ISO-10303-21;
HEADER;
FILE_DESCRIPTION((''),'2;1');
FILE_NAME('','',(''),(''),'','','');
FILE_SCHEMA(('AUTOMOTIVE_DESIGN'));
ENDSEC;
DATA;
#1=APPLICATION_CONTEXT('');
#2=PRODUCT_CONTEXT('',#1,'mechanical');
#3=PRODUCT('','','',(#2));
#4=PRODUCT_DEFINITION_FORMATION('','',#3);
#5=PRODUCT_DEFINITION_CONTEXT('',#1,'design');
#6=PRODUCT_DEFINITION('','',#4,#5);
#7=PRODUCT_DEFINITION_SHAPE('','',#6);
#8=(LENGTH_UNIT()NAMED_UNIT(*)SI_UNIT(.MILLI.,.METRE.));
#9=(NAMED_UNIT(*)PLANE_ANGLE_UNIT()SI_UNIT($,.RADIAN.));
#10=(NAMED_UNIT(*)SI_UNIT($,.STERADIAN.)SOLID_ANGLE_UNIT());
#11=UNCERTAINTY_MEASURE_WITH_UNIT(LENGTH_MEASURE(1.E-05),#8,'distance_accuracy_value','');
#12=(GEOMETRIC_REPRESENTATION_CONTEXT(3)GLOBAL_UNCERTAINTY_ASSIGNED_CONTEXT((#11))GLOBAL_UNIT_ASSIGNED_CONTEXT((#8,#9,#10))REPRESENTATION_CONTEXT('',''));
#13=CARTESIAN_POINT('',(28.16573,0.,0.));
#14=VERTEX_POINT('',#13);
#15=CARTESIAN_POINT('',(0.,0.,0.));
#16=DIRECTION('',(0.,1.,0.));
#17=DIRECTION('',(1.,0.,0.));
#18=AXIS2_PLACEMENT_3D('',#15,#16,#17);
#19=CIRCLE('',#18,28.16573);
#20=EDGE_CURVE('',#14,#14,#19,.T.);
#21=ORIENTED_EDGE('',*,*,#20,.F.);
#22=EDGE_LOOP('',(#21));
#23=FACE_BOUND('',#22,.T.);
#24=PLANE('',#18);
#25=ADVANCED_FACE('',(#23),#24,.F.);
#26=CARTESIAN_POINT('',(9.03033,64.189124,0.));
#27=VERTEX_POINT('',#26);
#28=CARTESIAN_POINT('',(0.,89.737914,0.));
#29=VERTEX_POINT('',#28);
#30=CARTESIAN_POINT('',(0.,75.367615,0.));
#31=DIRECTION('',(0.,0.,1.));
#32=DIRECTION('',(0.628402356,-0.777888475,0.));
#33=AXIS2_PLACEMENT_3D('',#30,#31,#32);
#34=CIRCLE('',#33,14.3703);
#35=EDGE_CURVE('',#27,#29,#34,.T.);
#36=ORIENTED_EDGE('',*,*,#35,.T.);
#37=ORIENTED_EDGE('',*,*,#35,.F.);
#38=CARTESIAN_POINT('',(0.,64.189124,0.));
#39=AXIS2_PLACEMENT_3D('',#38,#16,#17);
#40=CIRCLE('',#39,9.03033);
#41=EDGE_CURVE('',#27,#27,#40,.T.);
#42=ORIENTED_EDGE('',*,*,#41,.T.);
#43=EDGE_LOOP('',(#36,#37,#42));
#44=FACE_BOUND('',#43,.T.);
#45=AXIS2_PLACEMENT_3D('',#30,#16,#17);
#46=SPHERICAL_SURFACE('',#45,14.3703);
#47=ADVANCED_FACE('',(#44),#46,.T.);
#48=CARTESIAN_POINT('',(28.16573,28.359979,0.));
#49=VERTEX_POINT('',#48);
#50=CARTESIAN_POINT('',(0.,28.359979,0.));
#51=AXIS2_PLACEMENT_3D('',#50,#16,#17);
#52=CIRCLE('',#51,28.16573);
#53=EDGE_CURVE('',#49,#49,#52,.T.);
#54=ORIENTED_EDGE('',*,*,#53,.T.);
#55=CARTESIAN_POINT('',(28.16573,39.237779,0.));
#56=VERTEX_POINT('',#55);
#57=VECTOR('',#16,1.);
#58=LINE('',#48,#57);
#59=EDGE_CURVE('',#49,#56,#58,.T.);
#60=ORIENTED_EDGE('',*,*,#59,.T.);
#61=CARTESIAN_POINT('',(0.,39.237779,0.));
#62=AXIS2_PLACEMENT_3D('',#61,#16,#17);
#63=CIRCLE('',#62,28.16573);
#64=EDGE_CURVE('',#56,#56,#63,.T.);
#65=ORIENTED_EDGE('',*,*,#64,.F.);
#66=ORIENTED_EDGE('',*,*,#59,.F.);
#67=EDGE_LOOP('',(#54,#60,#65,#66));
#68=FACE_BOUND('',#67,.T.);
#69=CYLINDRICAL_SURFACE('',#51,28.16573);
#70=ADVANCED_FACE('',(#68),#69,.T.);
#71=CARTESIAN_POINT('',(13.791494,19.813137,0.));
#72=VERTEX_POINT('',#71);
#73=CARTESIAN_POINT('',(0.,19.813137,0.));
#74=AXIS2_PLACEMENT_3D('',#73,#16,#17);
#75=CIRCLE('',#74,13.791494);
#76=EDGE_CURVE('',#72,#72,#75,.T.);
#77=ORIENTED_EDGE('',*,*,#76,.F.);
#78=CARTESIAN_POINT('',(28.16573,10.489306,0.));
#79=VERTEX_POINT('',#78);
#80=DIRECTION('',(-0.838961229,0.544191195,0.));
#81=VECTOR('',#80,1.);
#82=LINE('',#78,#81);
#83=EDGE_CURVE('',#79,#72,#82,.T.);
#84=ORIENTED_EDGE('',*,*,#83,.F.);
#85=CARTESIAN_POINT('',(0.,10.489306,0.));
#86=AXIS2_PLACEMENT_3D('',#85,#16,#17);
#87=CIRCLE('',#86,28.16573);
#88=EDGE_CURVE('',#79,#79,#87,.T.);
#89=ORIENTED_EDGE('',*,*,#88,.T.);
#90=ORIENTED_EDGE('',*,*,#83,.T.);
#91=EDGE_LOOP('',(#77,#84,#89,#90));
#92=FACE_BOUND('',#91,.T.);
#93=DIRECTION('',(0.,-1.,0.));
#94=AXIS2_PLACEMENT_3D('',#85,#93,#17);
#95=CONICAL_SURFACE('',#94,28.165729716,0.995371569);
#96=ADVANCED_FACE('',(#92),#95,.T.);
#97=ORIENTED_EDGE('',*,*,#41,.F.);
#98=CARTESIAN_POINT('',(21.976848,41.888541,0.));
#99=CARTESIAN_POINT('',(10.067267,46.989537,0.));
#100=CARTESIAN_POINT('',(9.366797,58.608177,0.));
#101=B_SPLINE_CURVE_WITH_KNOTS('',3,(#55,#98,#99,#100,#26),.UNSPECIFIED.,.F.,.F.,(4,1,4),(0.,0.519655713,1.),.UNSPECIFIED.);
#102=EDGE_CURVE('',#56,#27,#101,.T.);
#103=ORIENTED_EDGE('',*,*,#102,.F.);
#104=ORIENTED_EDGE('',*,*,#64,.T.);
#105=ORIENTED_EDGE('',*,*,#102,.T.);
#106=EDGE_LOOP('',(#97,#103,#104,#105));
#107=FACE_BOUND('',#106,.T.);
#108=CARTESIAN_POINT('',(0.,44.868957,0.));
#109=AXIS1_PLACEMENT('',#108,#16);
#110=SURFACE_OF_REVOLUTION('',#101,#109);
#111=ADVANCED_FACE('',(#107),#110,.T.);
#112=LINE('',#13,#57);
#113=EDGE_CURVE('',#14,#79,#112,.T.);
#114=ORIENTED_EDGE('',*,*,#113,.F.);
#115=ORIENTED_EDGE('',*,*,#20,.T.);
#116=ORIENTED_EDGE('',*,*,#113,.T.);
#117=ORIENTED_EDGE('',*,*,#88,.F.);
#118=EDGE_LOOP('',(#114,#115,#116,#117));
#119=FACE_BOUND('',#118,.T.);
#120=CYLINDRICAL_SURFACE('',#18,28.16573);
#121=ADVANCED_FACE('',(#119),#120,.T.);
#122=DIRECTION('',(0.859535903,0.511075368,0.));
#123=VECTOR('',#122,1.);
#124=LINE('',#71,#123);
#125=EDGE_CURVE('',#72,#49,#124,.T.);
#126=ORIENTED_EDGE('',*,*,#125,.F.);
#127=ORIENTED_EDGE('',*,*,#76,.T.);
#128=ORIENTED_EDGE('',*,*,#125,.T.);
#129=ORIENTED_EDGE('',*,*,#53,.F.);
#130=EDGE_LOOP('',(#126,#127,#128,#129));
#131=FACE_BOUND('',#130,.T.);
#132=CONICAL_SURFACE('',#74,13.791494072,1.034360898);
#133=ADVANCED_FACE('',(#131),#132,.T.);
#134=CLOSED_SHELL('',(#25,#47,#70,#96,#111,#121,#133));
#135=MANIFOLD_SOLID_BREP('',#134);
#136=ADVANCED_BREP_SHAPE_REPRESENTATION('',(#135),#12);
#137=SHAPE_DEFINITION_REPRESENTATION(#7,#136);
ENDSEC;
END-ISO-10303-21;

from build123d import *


with BuildPart() as f1:
    # F0 (on Top) → F1 (revolve)
    with BuildSketch(Plane.XY):
        with BuildLine():
            Line((0, 89.7379144643), (0, 0))
            Line((0, 0), (28.1657297164, 0))
            Line((28.1657297164, 0), (28.1657297164, 10.4893064126))
            Line((28.1657297164, 10.4893064126), (13.7914940715, 19.8131371289))
            Line((13.7914940715, 19.8131371289), (28.1657297164, 28.3599793911))
            Line((28.1657297164, 28.3599793911), (28.1657297164, 39.2377786338))
            add(Edge.make_bspline(
                [(28.1657297164, 39.2377786338), (21.9768478252, 41.8885405228), (10.0672666522, 46.9895368647), (9.3667969135, 58.6081767239), (9.030330276, 64.1891240076)],
                knots=[0, 0, 0, 0, 0.5196557126, 1, 1, 1, 1], degree=3))
            ThreePointArc((9.030330276, 64.1891240076), (13.5488704206, 80.1565213648), (0, 89.7379144643))
        make_face()
    revolve(axis=Axis((0, 44.8689572322, 0), (0, 1, 0)))


solid = f1.part
